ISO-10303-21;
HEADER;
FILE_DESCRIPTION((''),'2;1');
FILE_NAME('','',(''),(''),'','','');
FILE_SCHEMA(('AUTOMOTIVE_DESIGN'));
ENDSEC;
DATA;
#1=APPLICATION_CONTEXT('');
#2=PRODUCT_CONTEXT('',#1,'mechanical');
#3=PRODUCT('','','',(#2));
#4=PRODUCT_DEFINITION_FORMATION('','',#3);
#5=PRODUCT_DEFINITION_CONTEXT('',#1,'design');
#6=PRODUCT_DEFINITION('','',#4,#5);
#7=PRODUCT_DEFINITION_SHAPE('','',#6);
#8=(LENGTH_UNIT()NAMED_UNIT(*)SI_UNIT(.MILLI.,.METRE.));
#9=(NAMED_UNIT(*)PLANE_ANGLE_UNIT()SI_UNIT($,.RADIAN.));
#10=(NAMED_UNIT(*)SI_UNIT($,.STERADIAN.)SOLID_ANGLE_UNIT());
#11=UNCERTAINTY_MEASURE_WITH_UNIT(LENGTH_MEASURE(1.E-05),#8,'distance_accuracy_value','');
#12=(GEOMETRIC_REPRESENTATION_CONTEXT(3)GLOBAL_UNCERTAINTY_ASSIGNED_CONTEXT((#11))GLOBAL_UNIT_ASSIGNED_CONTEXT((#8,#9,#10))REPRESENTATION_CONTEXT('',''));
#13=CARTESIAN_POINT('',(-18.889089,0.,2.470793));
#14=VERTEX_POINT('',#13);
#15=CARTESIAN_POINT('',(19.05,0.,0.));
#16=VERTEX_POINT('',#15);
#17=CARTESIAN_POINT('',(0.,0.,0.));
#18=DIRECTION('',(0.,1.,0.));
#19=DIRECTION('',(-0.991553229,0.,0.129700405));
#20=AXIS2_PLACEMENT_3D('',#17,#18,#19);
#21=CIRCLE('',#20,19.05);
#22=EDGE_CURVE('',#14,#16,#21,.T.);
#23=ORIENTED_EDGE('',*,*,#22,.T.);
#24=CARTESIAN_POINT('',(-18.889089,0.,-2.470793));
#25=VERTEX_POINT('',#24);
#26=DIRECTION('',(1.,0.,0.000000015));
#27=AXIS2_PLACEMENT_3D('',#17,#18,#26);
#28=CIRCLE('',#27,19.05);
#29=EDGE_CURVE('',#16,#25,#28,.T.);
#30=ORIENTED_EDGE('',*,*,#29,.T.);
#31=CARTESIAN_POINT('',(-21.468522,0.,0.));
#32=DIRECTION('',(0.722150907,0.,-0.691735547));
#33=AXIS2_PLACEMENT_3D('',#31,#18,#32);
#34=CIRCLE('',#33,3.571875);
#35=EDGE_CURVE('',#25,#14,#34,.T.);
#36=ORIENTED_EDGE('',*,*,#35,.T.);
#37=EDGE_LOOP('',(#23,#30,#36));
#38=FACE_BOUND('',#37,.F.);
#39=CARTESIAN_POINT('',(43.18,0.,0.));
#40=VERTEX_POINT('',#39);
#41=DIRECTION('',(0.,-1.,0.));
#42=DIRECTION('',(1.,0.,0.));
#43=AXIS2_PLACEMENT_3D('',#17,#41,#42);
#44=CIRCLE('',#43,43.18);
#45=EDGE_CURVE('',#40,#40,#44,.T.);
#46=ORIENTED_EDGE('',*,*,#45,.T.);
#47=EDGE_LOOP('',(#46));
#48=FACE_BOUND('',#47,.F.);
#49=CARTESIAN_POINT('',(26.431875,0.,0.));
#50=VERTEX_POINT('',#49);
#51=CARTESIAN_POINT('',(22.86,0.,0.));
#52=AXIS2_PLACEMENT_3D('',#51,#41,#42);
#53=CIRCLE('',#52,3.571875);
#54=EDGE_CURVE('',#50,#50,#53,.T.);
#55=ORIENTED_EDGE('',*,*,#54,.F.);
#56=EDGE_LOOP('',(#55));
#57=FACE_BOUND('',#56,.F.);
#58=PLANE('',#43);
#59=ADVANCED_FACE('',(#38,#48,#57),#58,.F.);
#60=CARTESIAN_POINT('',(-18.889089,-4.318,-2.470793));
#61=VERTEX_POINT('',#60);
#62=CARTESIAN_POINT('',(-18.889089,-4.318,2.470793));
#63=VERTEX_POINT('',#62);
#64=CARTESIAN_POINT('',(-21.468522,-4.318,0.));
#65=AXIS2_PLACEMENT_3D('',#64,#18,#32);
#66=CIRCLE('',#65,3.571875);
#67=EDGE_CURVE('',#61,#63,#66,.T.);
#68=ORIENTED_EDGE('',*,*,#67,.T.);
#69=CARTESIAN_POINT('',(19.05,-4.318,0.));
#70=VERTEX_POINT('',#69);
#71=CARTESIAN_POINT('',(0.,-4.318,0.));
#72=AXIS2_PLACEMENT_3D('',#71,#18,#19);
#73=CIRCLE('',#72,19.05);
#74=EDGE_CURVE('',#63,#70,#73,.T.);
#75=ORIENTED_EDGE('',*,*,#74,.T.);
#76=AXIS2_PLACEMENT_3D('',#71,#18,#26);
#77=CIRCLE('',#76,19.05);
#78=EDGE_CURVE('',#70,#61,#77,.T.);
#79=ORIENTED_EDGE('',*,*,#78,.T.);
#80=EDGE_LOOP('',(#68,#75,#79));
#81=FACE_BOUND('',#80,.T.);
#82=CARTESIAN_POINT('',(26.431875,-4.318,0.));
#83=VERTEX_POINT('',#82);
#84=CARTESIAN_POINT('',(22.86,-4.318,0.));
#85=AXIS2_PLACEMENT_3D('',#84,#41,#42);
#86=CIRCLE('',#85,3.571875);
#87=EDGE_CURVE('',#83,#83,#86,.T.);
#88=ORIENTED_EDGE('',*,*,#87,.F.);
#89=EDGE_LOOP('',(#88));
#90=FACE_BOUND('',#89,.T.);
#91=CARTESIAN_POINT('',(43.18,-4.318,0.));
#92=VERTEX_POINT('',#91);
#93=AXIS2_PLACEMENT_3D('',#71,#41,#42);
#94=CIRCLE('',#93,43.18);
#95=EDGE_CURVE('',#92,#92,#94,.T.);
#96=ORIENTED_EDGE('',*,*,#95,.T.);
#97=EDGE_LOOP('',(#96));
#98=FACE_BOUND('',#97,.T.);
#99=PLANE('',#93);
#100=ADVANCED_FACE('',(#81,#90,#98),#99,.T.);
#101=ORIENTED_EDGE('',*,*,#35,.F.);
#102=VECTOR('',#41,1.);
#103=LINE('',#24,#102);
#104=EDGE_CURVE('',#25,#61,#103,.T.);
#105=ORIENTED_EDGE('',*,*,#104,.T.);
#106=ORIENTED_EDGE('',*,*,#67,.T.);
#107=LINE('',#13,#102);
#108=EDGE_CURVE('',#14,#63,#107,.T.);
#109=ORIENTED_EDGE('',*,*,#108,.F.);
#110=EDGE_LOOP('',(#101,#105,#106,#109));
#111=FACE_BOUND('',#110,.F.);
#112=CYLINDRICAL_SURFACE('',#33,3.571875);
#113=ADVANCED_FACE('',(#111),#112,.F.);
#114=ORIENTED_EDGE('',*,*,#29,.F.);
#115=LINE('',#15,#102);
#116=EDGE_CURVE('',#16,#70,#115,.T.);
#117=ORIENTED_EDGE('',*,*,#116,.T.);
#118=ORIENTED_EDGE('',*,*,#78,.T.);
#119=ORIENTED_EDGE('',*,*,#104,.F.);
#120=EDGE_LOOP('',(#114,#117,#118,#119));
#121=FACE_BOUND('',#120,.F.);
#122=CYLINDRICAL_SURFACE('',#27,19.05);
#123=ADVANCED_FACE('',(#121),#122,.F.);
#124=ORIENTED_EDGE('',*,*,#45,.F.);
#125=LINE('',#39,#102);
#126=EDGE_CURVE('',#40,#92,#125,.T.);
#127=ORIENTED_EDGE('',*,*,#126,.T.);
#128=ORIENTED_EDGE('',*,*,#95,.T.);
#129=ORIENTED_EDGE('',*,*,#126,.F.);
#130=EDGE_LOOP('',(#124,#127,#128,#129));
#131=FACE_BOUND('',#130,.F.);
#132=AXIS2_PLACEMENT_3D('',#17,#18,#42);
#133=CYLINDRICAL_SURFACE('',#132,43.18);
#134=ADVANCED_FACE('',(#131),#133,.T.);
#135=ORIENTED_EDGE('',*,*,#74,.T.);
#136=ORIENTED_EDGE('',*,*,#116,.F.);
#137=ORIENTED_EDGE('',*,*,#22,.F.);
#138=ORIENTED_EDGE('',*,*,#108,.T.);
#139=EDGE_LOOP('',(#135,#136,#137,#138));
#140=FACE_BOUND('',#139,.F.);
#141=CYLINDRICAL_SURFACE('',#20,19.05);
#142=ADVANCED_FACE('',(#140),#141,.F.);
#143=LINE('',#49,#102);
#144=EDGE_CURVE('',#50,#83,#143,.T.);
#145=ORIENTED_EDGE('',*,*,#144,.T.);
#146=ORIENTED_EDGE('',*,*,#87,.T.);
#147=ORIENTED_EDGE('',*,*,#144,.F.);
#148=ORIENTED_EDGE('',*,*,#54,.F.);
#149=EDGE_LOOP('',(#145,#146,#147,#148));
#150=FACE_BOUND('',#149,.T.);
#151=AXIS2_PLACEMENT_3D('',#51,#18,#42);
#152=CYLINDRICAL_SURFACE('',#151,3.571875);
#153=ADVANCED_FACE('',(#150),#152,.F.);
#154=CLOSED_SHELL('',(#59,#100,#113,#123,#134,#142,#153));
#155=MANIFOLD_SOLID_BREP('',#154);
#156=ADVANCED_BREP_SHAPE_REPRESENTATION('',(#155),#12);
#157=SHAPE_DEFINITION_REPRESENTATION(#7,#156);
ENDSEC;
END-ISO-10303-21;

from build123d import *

# Parameters (mm, degrees)
F0_R     = 43.18
F0_R_2   = 3.571875
F1_DEPTH = 4.318


with BuildPart() as f1:
    # F0 (on Front) → F1 (new body)
    with BuildSketch(Plane.XZ):
        Circle(F0_R)
        with BuildLine():
            ThreePointArc((-18.889089, -2.470793), (-25.040397, 0), (-18.889089, 2.470793))
            ThreePointArc((-18.889089, 2.470793), (1.238013, 19.00973), (19.05, 0))
            ThreePointArc((19.05, 0), (1.238013, -19.00973), (-18.889089, -2.470793))
        make_face(mode=Mode.SUBTRACT)
        with Locations((22.86, 0)):
            Circle(F0_R_2, mode=Mode.SUBTRACT)
    extrude(amount=F1_DEPTH)


solid = f1.part
